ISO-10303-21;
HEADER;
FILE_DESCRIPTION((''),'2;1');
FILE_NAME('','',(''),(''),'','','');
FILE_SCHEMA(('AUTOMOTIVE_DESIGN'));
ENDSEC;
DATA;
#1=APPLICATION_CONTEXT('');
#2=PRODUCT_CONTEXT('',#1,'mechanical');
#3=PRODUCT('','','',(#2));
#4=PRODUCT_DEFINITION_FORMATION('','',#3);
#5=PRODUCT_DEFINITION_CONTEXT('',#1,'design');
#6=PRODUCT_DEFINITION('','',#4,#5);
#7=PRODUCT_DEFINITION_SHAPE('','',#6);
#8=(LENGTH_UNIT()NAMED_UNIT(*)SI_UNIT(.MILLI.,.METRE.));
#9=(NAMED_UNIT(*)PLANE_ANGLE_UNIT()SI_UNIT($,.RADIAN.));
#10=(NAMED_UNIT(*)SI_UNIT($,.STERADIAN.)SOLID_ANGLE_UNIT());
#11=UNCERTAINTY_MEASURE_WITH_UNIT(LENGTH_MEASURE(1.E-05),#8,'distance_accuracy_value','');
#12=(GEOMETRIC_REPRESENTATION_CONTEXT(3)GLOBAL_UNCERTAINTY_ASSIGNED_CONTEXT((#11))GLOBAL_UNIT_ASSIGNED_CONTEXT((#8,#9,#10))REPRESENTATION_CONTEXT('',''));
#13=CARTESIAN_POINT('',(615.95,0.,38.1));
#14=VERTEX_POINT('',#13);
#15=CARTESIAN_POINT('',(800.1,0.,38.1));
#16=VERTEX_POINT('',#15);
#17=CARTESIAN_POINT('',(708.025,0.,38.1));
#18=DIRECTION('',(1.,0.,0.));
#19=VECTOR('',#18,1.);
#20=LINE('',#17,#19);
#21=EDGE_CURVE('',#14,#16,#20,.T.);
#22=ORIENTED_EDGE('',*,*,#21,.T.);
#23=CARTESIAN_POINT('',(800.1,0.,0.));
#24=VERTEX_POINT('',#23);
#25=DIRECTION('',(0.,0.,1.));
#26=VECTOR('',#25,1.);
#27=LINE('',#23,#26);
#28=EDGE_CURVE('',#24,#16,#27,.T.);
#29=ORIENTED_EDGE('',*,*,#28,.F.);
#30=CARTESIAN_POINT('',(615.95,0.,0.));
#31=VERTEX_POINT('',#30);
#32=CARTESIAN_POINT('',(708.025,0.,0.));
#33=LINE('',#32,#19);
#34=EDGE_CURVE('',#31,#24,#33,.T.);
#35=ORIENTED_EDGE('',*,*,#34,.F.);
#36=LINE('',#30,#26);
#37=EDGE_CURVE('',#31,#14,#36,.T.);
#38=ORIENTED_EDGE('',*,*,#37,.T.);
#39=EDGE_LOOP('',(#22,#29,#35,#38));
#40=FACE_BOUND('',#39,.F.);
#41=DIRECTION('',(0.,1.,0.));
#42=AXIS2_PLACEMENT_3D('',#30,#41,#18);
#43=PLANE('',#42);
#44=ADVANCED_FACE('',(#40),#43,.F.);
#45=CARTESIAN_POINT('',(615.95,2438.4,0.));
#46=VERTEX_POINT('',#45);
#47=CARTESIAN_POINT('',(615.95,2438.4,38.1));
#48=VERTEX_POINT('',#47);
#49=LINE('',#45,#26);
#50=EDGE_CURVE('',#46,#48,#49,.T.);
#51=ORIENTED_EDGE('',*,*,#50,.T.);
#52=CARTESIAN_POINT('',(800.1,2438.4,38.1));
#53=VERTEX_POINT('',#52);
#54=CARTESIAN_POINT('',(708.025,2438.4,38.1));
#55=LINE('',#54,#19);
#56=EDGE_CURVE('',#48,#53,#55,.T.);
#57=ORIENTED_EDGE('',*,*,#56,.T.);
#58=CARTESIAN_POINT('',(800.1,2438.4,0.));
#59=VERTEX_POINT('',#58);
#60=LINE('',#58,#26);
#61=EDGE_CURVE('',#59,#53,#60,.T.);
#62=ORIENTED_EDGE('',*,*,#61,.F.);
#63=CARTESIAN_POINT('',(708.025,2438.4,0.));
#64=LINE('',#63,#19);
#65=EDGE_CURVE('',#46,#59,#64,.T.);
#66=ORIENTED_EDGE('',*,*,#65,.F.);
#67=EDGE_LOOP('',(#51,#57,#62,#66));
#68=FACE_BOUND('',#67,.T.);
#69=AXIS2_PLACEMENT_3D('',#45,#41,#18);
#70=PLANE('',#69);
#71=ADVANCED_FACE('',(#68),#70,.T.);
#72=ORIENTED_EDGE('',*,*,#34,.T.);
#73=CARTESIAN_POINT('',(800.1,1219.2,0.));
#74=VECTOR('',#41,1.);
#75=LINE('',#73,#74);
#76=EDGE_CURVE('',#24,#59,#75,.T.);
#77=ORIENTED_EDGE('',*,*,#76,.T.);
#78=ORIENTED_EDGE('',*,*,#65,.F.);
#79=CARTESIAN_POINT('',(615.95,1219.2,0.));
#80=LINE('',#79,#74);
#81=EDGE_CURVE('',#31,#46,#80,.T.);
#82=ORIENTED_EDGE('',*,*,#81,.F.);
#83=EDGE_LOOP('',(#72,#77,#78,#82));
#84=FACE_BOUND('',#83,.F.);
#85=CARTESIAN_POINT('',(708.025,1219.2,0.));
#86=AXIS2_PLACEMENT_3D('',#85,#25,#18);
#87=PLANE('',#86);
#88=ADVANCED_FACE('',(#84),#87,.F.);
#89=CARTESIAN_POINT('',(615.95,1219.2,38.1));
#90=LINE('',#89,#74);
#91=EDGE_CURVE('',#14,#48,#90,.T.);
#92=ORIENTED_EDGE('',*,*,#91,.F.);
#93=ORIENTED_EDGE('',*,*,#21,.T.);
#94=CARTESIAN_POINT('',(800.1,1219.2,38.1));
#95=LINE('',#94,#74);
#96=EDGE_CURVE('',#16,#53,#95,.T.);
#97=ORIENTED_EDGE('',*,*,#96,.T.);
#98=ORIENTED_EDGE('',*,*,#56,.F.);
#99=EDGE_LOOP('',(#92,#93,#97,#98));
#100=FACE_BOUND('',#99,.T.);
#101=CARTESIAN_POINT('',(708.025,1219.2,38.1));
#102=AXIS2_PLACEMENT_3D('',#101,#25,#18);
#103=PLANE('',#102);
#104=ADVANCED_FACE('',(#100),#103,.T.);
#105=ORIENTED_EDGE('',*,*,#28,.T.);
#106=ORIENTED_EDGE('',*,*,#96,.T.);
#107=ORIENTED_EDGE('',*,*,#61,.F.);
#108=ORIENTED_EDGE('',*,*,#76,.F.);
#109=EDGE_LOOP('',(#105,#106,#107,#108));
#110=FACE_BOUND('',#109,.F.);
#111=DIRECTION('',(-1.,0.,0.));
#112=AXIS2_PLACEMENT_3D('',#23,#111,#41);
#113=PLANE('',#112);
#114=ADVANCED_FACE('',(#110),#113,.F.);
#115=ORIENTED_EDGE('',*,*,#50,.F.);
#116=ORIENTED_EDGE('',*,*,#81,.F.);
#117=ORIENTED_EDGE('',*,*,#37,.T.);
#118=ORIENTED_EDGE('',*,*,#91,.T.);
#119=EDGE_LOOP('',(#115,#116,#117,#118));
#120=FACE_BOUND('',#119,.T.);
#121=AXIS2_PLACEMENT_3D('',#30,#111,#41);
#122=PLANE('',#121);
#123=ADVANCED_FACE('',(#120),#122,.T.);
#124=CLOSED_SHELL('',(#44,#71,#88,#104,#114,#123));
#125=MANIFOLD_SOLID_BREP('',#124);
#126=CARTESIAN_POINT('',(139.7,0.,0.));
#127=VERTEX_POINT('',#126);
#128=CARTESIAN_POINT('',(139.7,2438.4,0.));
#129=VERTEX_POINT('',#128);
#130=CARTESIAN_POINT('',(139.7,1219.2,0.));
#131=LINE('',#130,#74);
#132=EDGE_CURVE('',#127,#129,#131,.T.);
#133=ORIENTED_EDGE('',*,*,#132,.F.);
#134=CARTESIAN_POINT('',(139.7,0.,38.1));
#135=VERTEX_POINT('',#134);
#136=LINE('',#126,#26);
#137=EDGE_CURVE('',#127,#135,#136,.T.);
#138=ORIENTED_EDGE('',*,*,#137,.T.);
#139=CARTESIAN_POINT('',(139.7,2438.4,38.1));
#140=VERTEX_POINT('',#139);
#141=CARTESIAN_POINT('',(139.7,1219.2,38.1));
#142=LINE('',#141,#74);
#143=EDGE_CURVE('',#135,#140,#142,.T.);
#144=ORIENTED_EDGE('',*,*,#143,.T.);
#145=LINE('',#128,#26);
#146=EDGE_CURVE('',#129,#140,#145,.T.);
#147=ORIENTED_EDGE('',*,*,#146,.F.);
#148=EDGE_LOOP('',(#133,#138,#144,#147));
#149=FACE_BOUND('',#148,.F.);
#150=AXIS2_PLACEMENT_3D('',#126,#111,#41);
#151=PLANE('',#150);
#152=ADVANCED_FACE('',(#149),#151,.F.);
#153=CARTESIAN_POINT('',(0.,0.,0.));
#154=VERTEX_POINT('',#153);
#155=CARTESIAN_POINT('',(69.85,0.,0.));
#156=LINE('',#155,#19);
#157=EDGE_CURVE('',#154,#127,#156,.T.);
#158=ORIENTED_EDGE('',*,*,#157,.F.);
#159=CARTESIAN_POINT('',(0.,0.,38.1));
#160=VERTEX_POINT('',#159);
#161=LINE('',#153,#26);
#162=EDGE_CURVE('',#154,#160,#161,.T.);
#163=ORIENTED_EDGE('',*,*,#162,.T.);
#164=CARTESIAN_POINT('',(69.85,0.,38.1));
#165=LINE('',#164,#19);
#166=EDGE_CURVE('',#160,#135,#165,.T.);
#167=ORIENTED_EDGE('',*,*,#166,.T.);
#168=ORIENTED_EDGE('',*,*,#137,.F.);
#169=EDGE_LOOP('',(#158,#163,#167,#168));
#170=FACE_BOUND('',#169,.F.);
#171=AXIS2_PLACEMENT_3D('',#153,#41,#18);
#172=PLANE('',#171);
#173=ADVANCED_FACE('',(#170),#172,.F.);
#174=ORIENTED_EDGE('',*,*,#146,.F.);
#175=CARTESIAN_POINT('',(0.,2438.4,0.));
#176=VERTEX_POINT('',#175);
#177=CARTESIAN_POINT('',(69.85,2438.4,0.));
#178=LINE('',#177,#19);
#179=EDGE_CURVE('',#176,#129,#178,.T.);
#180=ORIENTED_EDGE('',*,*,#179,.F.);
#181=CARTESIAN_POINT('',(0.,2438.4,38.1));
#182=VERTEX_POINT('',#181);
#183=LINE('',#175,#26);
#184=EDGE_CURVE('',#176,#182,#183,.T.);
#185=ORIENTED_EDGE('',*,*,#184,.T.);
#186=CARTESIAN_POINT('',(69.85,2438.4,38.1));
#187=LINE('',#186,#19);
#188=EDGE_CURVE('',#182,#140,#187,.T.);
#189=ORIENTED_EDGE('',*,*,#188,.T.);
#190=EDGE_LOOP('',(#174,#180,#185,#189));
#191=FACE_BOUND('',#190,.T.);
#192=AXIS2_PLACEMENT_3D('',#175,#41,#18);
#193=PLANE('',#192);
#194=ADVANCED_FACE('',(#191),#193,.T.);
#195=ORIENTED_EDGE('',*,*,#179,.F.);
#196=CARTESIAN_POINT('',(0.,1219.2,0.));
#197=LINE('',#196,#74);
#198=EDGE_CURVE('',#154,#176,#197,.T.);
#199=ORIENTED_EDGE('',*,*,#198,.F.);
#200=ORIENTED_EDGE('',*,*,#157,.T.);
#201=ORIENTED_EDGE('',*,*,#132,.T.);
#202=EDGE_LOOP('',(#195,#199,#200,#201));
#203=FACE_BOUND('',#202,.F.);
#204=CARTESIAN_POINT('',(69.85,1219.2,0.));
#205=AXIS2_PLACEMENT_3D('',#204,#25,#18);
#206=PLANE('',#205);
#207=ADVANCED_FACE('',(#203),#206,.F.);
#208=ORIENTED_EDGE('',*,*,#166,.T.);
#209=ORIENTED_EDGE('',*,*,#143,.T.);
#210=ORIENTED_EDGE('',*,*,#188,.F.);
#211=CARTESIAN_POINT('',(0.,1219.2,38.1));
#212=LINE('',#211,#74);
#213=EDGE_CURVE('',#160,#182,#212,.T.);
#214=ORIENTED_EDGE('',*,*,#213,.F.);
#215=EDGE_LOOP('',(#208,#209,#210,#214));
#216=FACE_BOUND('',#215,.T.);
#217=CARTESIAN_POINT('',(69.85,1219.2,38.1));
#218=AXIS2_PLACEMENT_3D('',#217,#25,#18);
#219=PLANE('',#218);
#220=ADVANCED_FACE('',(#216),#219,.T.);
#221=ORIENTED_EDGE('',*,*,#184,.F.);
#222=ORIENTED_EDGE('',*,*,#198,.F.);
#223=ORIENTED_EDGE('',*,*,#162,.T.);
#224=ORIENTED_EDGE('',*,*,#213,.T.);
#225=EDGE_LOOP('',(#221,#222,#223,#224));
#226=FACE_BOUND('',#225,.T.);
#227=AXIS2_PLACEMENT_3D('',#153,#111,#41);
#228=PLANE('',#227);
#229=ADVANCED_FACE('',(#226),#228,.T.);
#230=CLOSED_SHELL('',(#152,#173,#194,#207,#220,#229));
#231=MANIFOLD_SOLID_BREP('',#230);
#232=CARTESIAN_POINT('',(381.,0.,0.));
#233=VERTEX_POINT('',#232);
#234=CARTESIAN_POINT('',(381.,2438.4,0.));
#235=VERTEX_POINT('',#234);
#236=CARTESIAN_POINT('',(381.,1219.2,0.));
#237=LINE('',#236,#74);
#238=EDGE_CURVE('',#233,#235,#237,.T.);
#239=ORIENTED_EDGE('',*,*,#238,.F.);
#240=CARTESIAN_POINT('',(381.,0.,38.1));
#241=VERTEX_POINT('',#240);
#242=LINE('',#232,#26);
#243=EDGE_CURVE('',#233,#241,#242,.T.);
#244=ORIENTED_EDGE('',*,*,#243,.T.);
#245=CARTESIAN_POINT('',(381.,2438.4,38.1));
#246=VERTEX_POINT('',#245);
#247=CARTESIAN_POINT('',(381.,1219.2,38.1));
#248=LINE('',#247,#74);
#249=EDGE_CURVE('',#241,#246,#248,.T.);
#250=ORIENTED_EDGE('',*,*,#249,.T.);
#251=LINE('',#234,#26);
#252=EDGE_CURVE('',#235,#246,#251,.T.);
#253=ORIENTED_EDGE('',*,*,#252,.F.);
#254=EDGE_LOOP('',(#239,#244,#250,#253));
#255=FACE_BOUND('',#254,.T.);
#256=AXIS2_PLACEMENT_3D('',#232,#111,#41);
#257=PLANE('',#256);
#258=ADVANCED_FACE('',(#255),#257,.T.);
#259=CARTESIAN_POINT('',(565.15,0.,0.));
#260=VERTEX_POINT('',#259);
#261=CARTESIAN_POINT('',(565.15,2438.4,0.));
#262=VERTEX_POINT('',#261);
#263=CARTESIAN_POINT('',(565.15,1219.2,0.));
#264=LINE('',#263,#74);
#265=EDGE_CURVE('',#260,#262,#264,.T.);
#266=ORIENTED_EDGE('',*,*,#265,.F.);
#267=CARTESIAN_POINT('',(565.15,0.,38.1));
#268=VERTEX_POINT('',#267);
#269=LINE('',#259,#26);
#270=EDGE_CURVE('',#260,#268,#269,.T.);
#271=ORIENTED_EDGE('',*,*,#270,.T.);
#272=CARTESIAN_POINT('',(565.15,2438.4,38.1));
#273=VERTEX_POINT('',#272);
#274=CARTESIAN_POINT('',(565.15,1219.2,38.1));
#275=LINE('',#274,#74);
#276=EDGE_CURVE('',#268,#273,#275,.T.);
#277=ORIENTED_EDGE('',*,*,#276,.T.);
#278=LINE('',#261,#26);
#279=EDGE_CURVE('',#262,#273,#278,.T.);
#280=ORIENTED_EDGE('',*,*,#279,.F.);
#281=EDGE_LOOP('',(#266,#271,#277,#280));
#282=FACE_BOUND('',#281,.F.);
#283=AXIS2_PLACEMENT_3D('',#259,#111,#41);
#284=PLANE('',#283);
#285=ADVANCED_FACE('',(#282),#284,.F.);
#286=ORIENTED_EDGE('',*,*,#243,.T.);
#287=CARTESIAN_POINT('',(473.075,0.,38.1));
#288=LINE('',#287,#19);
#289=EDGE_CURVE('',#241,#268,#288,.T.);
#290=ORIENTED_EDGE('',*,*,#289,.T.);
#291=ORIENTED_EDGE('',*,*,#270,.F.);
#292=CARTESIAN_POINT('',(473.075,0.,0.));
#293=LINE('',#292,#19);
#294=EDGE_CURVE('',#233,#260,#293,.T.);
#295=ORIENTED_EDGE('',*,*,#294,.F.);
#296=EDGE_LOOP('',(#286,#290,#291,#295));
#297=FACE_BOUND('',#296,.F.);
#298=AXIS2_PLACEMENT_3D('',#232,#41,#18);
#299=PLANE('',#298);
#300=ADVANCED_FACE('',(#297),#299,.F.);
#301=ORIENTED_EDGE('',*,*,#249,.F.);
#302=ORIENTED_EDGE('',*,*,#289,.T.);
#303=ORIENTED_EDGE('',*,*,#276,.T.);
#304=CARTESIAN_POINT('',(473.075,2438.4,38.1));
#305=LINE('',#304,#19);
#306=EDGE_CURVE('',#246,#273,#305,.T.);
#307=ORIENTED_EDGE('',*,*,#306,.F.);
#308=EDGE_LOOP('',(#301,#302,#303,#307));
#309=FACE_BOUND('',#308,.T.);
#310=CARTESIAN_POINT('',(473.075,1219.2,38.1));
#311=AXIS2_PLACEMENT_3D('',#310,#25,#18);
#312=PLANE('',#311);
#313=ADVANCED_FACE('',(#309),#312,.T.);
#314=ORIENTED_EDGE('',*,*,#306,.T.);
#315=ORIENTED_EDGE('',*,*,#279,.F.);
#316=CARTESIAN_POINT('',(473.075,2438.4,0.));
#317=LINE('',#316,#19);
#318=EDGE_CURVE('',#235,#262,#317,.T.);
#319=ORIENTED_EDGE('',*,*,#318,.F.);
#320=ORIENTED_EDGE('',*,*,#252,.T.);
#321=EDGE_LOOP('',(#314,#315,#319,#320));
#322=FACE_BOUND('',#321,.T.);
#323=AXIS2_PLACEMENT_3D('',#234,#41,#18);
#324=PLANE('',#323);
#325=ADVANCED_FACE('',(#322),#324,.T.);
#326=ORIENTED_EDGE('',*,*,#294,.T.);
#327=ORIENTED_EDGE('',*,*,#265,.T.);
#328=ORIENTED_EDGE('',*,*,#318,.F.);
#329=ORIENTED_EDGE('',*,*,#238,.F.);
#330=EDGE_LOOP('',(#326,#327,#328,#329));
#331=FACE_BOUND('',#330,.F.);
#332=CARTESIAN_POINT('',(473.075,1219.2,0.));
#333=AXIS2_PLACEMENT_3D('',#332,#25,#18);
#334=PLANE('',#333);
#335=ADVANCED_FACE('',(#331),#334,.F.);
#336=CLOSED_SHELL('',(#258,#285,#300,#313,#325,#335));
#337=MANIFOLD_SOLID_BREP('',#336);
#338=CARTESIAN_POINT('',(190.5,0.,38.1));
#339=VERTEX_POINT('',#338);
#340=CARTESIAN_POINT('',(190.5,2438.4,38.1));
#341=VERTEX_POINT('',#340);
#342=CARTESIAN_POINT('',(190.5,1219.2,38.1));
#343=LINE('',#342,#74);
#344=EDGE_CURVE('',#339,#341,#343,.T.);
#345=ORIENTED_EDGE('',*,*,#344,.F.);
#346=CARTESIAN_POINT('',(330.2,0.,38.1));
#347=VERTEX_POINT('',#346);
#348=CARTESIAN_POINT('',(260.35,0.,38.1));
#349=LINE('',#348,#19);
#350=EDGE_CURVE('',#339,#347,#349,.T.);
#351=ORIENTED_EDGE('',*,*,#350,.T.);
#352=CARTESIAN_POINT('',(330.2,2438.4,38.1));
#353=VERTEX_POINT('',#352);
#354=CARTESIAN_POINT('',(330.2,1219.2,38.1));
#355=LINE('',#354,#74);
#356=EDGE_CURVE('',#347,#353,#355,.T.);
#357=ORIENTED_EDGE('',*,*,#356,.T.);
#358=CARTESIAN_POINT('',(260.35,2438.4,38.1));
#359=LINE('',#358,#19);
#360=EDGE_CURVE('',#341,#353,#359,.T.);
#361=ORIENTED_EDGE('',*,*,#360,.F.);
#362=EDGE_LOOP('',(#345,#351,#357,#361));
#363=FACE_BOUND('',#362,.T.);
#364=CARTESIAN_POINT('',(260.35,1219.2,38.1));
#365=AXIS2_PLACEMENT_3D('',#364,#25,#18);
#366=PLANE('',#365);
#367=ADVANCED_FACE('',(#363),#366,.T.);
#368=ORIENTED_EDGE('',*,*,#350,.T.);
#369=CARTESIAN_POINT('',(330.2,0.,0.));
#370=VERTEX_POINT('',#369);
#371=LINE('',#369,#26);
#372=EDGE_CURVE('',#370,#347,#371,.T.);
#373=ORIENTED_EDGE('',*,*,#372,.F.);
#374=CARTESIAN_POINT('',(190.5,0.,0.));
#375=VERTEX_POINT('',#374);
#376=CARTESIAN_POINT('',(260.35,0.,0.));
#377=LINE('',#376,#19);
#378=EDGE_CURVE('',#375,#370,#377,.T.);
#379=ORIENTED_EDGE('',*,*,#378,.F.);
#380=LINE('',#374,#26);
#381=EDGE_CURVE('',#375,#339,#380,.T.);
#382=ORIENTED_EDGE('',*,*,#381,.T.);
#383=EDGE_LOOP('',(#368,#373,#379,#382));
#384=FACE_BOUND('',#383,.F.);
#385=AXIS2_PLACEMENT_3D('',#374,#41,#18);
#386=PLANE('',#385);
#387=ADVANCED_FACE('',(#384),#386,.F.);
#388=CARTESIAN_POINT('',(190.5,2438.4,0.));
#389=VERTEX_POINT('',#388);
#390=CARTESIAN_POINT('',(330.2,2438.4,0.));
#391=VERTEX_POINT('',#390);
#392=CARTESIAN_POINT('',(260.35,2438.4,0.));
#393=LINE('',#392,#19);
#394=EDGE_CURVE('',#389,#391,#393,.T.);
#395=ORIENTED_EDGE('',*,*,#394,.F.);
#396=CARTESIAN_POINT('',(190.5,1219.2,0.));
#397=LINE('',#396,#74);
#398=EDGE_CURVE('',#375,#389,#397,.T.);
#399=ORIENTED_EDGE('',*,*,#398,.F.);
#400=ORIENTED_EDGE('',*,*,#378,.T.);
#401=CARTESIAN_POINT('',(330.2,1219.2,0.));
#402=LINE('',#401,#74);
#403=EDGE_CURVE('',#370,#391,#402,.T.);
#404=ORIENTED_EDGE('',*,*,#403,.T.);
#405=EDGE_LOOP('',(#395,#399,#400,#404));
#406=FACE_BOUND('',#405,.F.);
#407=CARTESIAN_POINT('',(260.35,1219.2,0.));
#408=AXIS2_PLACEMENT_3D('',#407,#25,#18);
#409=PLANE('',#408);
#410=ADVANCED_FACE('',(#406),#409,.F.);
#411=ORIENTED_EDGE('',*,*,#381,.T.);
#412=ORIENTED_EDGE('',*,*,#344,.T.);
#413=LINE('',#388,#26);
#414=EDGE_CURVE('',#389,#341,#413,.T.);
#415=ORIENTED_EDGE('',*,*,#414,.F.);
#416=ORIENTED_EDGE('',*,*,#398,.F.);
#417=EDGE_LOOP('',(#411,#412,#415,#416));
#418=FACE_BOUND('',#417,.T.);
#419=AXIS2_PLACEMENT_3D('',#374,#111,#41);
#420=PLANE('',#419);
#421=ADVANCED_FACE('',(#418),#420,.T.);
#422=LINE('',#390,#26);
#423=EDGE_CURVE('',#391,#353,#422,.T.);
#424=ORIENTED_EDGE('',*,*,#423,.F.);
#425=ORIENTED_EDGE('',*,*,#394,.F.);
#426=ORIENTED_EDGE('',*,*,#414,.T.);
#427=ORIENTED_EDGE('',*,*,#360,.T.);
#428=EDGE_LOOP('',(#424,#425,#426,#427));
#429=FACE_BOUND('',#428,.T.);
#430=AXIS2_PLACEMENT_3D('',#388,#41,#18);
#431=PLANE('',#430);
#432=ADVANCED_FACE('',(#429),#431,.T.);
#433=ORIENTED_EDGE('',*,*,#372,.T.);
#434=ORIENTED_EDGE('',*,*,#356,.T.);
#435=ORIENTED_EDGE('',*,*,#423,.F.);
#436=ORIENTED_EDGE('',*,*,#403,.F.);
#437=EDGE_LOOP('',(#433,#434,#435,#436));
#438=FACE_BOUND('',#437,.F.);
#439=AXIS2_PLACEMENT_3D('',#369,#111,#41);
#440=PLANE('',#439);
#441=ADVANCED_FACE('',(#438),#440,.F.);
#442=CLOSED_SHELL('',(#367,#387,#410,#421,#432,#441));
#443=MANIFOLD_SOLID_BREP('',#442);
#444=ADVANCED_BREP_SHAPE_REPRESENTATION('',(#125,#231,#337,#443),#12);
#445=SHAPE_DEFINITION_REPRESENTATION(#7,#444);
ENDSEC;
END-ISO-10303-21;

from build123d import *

# Parameters (mm, degrees)
F0_W     = 139.7
F0_H     = 2438.4
F0_W_2   = 184.15
F1_DEPTH = 38.1


with BuildPart() as f1:
    # F0 (on Top) → F1 (new body)
    with BuildSketch(Plane.XY):
        with Locations((69.85, 1219.2)):
            Rectangle(F0_W, F0_H)
        with Locations((260.35, 1219.2)):
            Rectangle(F0_W, F0_H)
        with Locations((473.075, 1219.2)):
            Rectangle(F0_W_2, F0_H)
        with Locations((708.025, 1219.2)):
            Rectangle(F0_W_2, F0_H)
    extrude(amount=F1_DEPTH)


solid = f1.part
